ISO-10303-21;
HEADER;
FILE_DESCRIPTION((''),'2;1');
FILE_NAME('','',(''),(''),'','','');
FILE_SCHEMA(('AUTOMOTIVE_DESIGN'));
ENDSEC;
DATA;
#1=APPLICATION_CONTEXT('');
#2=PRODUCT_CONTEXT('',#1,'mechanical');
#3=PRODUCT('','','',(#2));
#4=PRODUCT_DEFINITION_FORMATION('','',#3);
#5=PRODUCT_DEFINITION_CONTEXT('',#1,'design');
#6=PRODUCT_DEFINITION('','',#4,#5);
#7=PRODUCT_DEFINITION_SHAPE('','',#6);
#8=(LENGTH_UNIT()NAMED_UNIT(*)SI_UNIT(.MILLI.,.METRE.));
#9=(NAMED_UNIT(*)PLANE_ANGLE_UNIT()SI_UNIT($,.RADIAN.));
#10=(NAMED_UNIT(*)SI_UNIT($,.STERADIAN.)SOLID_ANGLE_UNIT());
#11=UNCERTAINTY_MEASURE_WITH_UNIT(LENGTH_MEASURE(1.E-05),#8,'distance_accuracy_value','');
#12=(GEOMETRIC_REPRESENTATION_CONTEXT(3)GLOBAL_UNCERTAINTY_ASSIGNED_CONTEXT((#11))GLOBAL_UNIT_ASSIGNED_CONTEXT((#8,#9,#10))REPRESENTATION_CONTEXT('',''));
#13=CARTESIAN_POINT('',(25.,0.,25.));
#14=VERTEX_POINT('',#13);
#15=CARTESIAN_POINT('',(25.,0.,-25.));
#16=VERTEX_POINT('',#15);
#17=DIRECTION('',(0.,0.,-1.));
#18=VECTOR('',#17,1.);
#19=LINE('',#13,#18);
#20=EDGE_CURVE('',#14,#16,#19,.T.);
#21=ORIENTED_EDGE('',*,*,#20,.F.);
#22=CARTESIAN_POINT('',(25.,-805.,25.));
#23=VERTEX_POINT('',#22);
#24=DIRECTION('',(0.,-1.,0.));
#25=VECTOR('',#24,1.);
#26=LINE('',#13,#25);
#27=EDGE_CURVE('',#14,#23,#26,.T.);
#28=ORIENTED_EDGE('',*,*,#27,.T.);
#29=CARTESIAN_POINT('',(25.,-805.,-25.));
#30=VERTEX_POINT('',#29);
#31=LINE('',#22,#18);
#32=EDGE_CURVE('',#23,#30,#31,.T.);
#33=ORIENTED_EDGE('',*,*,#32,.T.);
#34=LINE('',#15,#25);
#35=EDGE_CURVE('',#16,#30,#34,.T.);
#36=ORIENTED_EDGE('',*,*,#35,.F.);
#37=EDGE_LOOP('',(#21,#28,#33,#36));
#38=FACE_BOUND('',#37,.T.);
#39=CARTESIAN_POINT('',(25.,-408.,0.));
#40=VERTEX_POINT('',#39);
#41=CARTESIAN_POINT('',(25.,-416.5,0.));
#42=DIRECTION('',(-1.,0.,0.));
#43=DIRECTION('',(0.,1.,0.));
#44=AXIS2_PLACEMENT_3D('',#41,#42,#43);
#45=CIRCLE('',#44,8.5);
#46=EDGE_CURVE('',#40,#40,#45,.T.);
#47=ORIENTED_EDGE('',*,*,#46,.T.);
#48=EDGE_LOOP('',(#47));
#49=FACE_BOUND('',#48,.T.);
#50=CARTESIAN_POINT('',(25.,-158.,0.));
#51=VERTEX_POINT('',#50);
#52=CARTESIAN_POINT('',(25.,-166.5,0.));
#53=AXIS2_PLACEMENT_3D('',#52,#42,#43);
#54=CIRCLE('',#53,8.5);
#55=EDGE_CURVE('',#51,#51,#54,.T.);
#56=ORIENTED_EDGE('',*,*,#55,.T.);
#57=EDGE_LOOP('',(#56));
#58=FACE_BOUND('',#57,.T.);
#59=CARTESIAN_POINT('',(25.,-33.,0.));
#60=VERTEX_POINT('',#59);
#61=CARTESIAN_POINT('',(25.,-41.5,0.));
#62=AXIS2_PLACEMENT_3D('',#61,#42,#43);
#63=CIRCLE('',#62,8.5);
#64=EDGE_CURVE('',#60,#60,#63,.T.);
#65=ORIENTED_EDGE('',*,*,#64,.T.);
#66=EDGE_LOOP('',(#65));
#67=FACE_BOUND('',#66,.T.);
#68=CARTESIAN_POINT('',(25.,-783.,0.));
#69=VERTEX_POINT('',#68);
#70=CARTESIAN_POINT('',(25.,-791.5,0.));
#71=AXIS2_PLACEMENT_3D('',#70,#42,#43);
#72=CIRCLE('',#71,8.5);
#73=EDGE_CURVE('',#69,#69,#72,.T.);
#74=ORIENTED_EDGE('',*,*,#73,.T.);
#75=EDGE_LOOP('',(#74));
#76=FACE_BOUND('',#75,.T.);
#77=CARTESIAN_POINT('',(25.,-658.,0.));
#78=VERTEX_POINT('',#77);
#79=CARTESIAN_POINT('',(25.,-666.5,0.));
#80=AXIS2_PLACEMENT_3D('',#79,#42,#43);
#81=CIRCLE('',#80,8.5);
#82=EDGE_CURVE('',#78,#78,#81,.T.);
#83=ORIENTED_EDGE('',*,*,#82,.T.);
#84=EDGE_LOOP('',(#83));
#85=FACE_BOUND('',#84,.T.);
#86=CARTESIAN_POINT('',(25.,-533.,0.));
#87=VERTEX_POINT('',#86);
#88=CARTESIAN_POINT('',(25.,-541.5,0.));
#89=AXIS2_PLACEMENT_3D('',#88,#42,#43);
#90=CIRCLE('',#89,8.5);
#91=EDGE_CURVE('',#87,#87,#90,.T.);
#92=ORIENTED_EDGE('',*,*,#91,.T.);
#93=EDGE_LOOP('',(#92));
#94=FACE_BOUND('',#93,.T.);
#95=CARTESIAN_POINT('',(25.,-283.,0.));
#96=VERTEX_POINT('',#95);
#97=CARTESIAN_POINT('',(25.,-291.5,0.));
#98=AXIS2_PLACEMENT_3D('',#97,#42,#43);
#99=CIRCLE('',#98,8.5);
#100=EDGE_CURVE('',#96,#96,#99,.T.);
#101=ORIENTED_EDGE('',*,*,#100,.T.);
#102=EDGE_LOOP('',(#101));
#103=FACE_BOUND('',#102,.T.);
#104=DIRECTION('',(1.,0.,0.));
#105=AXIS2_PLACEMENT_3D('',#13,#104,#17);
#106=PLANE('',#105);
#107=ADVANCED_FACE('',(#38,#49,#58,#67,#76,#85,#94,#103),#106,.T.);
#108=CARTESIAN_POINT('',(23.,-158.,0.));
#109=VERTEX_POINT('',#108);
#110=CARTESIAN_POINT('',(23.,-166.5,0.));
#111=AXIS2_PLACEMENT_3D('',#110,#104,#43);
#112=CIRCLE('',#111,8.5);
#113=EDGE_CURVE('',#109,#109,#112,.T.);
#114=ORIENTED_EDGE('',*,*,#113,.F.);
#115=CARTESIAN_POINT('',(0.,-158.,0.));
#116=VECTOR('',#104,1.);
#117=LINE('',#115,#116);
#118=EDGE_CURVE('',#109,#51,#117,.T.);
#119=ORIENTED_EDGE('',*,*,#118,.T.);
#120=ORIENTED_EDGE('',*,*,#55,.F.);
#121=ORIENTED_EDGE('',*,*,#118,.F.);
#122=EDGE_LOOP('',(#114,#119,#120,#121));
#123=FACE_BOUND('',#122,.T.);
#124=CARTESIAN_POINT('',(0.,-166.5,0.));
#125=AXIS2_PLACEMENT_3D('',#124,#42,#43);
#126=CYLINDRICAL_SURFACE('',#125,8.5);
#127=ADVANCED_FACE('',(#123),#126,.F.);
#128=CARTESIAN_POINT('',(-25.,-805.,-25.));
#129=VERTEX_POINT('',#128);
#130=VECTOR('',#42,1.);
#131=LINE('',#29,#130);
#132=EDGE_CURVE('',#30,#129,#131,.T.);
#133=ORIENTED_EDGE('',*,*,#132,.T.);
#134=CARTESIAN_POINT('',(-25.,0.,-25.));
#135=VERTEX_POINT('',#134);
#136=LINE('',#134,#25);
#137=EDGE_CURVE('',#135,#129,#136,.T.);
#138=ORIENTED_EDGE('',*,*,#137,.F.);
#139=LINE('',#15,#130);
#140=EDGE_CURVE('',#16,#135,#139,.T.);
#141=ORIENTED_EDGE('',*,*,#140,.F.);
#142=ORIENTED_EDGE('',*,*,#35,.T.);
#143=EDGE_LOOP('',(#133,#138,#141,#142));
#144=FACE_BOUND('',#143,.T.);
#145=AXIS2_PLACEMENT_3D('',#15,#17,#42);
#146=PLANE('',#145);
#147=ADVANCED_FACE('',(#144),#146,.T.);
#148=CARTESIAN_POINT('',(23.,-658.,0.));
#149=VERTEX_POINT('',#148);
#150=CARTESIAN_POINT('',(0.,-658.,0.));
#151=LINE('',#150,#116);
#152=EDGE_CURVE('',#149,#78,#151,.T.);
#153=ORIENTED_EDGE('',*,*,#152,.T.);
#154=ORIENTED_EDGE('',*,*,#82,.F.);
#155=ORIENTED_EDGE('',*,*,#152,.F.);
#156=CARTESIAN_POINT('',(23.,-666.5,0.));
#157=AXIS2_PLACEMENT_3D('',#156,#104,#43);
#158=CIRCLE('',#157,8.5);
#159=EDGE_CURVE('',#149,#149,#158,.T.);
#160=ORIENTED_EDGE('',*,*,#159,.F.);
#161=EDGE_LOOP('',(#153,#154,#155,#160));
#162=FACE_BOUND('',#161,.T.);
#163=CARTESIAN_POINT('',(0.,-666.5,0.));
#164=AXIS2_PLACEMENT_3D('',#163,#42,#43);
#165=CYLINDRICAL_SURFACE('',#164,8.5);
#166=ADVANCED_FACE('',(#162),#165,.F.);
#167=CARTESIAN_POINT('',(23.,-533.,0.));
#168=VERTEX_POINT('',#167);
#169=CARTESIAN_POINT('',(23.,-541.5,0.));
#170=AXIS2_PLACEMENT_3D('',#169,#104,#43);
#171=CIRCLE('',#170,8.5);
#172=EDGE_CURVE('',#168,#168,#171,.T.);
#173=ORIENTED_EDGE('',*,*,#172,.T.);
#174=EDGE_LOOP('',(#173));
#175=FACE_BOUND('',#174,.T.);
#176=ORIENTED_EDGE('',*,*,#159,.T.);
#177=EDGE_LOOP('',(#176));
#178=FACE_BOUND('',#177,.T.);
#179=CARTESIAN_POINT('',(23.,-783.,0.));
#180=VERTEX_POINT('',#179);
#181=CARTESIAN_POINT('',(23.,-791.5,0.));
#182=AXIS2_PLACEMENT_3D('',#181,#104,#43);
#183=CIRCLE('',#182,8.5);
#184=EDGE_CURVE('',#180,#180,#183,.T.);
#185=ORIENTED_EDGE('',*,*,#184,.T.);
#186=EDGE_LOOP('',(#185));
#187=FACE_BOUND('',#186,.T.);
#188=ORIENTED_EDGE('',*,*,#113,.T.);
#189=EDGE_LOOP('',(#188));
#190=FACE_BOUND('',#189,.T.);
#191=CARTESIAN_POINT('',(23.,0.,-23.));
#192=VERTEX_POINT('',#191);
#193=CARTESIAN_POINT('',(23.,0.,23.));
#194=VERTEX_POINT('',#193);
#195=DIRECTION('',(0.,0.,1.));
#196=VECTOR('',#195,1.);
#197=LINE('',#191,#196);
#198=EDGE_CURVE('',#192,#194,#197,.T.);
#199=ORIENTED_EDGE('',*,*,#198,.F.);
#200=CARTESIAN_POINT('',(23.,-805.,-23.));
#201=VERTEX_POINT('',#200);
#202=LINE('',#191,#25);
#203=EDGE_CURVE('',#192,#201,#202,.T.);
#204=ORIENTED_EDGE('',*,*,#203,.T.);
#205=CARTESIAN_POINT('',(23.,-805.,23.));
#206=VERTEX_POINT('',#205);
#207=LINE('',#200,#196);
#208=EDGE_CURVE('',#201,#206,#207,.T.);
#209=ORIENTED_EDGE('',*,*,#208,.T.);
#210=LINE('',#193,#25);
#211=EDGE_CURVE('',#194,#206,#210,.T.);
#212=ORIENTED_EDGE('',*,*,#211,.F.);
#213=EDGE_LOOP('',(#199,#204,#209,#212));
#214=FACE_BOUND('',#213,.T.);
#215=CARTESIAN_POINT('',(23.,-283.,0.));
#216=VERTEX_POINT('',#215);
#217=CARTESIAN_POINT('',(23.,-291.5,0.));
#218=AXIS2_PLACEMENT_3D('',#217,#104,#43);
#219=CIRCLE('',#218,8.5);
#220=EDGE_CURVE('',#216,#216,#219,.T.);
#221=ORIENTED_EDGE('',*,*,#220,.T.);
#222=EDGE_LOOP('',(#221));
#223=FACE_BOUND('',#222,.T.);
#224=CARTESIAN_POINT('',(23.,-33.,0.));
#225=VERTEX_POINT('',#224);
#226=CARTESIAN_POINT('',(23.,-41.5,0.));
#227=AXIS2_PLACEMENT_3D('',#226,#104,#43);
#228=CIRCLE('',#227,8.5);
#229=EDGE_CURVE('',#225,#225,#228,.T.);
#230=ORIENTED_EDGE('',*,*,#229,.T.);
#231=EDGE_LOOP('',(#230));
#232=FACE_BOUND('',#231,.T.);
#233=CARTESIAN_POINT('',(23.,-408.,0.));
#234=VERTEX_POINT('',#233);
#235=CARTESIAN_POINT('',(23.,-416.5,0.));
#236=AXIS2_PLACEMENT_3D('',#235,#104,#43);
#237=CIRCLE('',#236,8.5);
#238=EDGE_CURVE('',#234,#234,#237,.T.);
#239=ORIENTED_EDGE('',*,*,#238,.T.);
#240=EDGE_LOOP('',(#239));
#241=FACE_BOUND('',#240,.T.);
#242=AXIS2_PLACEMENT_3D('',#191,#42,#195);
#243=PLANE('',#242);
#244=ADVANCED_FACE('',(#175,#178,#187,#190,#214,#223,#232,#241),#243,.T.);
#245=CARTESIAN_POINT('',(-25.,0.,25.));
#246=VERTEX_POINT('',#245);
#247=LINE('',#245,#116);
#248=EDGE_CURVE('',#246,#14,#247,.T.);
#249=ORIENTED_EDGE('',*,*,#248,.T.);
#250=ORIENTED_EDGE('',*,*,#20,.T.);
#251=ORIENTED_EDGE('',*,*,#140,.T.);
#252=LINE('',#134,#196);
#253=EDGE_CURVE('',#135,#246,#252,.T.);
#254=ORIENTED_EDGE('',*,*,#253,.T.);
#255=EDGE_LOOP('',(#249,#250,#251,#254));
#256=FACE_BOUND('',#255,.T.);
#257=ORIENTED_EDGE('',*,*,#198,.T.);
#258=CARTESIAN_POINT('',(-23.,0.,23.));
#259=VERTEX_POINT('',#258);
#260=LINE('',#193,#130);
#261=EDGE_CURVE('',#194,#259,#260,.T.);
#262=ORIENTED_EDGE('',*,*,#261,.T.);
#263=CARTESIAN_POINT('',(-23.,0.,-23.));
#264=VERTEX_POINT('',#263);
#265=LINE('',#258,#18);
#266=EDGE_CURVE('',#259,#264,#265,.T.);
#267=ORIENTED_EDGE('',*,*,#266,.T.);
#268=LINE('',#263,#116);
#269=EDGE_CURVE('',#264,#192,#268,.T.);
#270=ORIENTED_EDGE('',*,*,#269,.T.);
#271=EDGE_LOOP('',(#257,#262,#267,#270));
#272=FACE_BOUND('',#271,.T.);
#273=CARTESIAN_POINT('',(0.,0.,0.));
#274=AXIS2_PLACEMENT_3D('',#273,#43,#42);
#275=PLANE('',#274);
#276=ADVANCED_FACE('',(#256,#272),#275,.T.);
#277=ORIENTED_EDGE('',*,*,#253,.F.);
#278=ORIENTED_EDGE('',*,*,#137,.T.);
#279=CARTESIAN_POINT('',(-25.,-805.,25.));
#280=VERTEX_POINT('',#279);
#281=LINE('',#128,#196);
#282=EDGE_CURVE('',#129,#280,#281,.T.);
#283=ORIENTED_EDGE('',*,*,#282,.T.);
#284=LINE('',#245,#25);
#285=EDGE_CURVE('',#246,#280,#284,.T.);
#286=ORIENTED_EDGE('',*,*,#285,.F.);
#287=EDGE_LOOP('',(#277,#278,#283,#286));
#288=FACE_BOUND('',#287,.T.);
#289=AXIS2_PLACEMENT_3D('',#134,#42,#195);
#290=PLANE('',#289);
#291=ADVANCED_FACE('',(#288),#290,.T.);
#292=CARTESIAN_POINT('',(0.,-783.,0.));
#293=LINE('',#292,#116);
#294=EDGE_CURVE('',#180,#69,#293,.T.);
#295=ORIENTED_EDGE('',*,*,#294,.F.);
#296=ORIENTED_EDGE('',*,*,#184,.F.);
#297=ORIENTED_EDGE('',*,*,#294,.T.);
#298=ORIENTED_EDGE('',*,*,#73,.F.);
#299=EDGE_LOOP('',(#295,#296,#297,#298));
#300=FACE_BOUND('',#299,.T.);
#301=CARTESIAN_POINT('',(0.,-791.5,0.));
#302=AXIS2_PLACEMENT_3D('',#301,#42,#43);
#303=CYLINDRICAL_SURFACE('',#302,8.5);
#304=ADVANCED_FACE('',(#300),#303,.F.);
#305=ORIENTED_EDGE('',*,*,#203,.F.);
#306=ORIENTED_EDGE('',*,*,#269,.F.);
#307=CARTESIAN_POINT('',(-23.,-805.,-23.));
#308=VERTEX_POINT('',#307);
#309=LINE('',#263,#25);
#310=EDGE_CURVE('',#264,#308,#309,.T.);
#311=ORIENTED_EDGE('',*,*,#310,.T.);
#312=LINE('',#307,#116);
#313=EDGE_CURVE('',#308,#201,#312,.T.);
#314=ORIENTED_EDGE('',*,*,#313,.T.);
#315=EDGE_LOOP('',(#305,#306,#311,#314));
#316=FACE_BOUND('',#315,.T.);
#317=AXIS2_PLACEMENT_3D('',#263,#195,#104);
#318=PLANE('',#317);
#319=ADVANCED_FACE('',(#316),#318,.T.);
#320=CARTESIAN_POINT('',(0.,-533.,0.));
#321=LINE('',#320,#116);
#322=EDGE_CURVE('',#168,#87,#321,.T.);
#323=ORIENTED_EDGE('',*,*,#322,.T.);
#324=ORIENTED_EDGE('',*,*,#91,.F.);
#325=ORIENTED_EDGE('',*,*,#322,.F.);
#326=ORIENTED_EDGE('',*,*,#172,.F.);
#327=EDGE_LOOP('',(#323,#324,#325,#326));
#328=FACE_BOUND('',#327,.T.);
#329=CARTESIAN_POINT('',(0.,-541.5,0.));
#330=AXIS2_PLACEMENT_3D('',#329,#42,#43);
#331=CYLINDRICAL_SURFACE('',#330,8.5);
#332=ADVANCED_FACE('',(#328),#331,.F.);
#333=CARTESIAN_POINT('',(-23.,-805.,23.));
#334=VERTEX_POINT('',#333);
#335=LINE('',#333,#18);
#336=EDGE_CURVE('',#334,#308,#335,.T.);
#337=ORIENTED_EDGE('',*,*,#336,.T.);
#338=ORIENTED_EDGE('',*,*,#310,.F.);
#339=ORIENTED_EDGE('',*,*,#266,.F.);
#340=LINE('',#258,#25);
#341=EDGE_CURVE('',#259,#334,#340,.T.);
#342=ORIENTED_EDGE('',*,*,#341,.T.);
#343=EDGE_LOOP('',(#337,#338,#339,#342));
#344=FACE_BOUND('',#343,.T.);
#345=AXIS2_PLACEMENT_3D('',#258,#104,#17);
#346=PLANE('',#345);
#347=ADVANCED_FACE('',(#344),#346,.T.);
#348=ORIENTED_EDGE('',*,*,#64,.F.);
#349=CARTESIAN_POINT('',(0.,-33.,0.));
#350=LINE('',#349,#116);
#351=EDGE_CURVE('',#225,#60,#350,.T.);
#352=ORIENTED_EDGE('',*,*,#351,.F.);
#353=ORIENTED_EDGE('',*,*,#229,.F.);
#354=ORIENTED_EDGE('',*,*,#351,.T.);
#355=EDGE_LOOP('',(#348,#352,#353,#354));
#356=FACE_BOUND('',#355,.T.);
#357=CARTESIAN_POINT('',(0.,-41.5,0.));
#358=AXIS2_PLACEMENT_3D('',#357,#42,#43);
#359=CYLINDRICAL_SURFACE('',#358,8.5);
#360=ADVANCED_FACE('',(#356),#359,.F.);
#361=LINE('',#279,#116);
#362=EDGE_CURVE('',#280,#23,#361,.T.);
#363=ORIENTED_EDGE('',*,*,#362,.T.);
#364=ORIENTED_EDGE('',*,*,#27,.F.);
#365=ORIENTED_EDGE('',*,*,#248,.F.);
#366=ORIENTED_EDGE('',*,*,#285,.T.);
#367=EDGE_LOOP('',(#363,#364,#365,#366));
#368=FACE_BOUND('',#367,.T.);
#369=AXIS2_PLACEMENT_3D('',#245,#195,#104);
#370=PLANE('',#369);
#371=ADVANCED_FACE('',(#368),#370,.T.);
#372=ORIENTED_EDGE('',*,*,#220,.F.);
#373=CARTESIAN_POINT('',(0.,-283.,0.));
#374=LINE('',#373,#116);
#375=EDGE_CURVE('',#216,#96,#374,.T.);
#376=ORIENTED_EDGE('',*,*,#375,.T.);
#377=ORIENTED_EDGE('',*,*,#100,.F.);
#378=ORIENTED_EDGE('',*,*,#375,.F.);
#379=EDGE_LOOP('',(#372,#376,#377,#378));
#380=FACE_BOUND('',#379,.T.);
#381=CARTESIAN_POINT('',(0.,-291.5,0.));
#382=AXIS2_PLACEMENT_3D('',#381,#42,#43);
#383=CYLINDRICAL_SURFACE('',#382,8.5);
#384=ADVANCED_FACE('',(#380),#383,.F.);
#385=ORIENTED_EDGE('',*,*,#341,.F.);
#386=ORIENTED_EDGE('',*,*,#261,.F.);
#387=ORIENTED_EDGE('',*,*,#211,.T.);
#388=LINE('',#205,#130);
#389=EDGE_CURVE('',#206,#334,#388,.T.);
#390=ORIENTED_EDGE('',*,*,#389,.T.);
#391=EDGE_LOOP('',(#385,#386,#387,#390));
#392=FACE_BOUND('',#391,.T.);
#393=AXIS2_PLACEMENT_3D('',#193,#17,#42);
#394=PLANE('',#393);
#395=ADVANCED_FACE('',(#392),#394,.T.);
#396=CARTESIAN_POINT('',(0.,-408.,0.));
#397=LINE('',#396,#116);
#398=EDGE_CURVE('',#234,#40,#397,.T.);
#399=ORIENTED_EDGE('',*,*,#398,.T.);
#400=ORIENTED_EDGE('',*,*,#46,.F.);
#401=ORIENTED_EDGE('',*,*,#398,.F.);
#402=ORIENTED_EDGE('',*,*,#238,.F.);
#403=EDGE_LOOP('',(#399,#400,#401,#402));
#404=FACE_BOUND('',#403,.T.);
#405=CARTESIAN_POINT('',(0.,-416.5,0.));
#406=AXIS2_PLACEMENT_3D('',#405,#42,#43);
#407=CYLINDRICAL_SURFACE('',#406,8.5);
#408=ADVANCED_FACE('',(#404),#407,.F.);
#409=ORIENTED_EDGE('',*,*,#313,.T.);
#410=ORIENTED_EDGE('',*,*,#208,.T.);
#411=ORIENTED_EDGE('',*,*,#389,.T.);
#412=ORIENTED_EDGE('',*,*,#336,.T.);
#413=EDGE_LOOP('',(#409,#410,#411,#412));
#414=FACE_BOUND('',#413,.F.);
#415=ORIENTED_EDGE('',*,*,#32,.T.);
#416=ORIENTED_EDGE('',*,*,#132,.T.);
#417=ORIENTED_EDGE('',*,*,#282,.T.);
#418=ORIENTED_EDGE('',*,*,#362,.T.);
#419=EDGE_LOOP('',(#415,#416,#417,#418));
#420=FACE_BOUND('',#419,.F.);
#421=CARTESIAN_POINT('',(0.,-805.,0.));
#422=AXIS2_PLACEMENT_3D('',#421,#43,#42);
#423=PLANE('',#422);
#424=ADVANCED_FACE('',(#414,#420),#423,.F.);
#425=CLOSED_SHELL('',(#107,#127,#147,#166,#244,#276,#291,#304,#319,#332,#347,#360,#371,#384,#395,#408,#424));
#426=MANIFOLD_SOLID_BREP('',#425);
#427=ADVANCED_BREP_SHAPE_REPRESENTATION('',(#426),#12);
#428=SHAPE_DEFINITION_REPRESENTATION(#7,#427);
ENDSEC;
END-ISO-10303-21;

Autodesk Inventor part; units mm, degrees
ref_plane "YZ Plane" through (0, 0, 0) normal (1, 0, 0) x (0, 1, 0)
ref_plane "XZ Plane" through (0, 0, 0) normal (0, 1, 0) x (-1, 0, 0)
ref_plane "XY Plane" through (0, 0, 0) normal (0, 0, 1) x (1, 0, 0)
sketch "Sketch9" plane through (0, 0, 0) normal (0, 1, 0) x (-1, 0, 0)
  line L0 (25, 25) -> (-25, 25)
  line L1 (-25, 25) -> (-25, -25)
  line L2 (-25, -25) -> (25, -25)
  line L3 (25, -25) -> (25, 25)
  line L4 (25, 25) -> (-25, -25) construction
  line L5 (-25, 25) -> (25, -25) construction
  line L6 (-23, 23) -> (23, 23)
  line L7 (23, 23) -> (23, -23)
  line L8 (23, -23) -> (-23, -23)
  line L9 (-23, -23) -> (-23, 23)
  point P0 (0, 0)
  dimension "d172" = 50
  dimension "d173" = 50
  dimension "d174" = 2
extrude "Extrusion3" add sketch "Sketch9" against normal blind 805
sketch "Sketch10" plane through (0, 0, 0) normal (1, 0, 0) x (0, 1, 0)
  line L0 (0, 25) -> (0, -25) construction
  line L1 (0, 25) -> (-805, 25) construction
  line L2 (-805, -25) -> (-805, 25) construction
  line L3 (0, -25) -> (-805, -25) construction
  line L4 (-800, 8.5) -> (-783, 8.5)
  line L5 (-783, 8.5) -> (-783, -8.5)
  line L6 (-783, -8.5) -> (-800, -8.5)
  line L7 (-800, -8.5) -> (-800, 8.5)
  line L8 (-800, 8.5) -> (-783, -8.5) construction
  line L9 (-783, 8.5) -> (-800, -8.5) construction
  circle A0 centre (-791.5, 0) radius 8.5
  line L10 (0, 25) -> (0, -25) projected
  point P0 (0, 0)
  point P1 (0, 0)
  point P2 (-805, 0)
  dimension "d177" = 17
  dimension "d178" = 17
  dimension "d191" = 5
extrude "Extrusion4" cut sketch "Sketch10" along normal through all contours A0
pattern_linear "Rectangular Pattern4" count 7 spacing 125 along (0, 1, 0) of "Extrusion4"
properties part number "TKS 3536 FDS WAY tube6" material "Stainless Steel"
